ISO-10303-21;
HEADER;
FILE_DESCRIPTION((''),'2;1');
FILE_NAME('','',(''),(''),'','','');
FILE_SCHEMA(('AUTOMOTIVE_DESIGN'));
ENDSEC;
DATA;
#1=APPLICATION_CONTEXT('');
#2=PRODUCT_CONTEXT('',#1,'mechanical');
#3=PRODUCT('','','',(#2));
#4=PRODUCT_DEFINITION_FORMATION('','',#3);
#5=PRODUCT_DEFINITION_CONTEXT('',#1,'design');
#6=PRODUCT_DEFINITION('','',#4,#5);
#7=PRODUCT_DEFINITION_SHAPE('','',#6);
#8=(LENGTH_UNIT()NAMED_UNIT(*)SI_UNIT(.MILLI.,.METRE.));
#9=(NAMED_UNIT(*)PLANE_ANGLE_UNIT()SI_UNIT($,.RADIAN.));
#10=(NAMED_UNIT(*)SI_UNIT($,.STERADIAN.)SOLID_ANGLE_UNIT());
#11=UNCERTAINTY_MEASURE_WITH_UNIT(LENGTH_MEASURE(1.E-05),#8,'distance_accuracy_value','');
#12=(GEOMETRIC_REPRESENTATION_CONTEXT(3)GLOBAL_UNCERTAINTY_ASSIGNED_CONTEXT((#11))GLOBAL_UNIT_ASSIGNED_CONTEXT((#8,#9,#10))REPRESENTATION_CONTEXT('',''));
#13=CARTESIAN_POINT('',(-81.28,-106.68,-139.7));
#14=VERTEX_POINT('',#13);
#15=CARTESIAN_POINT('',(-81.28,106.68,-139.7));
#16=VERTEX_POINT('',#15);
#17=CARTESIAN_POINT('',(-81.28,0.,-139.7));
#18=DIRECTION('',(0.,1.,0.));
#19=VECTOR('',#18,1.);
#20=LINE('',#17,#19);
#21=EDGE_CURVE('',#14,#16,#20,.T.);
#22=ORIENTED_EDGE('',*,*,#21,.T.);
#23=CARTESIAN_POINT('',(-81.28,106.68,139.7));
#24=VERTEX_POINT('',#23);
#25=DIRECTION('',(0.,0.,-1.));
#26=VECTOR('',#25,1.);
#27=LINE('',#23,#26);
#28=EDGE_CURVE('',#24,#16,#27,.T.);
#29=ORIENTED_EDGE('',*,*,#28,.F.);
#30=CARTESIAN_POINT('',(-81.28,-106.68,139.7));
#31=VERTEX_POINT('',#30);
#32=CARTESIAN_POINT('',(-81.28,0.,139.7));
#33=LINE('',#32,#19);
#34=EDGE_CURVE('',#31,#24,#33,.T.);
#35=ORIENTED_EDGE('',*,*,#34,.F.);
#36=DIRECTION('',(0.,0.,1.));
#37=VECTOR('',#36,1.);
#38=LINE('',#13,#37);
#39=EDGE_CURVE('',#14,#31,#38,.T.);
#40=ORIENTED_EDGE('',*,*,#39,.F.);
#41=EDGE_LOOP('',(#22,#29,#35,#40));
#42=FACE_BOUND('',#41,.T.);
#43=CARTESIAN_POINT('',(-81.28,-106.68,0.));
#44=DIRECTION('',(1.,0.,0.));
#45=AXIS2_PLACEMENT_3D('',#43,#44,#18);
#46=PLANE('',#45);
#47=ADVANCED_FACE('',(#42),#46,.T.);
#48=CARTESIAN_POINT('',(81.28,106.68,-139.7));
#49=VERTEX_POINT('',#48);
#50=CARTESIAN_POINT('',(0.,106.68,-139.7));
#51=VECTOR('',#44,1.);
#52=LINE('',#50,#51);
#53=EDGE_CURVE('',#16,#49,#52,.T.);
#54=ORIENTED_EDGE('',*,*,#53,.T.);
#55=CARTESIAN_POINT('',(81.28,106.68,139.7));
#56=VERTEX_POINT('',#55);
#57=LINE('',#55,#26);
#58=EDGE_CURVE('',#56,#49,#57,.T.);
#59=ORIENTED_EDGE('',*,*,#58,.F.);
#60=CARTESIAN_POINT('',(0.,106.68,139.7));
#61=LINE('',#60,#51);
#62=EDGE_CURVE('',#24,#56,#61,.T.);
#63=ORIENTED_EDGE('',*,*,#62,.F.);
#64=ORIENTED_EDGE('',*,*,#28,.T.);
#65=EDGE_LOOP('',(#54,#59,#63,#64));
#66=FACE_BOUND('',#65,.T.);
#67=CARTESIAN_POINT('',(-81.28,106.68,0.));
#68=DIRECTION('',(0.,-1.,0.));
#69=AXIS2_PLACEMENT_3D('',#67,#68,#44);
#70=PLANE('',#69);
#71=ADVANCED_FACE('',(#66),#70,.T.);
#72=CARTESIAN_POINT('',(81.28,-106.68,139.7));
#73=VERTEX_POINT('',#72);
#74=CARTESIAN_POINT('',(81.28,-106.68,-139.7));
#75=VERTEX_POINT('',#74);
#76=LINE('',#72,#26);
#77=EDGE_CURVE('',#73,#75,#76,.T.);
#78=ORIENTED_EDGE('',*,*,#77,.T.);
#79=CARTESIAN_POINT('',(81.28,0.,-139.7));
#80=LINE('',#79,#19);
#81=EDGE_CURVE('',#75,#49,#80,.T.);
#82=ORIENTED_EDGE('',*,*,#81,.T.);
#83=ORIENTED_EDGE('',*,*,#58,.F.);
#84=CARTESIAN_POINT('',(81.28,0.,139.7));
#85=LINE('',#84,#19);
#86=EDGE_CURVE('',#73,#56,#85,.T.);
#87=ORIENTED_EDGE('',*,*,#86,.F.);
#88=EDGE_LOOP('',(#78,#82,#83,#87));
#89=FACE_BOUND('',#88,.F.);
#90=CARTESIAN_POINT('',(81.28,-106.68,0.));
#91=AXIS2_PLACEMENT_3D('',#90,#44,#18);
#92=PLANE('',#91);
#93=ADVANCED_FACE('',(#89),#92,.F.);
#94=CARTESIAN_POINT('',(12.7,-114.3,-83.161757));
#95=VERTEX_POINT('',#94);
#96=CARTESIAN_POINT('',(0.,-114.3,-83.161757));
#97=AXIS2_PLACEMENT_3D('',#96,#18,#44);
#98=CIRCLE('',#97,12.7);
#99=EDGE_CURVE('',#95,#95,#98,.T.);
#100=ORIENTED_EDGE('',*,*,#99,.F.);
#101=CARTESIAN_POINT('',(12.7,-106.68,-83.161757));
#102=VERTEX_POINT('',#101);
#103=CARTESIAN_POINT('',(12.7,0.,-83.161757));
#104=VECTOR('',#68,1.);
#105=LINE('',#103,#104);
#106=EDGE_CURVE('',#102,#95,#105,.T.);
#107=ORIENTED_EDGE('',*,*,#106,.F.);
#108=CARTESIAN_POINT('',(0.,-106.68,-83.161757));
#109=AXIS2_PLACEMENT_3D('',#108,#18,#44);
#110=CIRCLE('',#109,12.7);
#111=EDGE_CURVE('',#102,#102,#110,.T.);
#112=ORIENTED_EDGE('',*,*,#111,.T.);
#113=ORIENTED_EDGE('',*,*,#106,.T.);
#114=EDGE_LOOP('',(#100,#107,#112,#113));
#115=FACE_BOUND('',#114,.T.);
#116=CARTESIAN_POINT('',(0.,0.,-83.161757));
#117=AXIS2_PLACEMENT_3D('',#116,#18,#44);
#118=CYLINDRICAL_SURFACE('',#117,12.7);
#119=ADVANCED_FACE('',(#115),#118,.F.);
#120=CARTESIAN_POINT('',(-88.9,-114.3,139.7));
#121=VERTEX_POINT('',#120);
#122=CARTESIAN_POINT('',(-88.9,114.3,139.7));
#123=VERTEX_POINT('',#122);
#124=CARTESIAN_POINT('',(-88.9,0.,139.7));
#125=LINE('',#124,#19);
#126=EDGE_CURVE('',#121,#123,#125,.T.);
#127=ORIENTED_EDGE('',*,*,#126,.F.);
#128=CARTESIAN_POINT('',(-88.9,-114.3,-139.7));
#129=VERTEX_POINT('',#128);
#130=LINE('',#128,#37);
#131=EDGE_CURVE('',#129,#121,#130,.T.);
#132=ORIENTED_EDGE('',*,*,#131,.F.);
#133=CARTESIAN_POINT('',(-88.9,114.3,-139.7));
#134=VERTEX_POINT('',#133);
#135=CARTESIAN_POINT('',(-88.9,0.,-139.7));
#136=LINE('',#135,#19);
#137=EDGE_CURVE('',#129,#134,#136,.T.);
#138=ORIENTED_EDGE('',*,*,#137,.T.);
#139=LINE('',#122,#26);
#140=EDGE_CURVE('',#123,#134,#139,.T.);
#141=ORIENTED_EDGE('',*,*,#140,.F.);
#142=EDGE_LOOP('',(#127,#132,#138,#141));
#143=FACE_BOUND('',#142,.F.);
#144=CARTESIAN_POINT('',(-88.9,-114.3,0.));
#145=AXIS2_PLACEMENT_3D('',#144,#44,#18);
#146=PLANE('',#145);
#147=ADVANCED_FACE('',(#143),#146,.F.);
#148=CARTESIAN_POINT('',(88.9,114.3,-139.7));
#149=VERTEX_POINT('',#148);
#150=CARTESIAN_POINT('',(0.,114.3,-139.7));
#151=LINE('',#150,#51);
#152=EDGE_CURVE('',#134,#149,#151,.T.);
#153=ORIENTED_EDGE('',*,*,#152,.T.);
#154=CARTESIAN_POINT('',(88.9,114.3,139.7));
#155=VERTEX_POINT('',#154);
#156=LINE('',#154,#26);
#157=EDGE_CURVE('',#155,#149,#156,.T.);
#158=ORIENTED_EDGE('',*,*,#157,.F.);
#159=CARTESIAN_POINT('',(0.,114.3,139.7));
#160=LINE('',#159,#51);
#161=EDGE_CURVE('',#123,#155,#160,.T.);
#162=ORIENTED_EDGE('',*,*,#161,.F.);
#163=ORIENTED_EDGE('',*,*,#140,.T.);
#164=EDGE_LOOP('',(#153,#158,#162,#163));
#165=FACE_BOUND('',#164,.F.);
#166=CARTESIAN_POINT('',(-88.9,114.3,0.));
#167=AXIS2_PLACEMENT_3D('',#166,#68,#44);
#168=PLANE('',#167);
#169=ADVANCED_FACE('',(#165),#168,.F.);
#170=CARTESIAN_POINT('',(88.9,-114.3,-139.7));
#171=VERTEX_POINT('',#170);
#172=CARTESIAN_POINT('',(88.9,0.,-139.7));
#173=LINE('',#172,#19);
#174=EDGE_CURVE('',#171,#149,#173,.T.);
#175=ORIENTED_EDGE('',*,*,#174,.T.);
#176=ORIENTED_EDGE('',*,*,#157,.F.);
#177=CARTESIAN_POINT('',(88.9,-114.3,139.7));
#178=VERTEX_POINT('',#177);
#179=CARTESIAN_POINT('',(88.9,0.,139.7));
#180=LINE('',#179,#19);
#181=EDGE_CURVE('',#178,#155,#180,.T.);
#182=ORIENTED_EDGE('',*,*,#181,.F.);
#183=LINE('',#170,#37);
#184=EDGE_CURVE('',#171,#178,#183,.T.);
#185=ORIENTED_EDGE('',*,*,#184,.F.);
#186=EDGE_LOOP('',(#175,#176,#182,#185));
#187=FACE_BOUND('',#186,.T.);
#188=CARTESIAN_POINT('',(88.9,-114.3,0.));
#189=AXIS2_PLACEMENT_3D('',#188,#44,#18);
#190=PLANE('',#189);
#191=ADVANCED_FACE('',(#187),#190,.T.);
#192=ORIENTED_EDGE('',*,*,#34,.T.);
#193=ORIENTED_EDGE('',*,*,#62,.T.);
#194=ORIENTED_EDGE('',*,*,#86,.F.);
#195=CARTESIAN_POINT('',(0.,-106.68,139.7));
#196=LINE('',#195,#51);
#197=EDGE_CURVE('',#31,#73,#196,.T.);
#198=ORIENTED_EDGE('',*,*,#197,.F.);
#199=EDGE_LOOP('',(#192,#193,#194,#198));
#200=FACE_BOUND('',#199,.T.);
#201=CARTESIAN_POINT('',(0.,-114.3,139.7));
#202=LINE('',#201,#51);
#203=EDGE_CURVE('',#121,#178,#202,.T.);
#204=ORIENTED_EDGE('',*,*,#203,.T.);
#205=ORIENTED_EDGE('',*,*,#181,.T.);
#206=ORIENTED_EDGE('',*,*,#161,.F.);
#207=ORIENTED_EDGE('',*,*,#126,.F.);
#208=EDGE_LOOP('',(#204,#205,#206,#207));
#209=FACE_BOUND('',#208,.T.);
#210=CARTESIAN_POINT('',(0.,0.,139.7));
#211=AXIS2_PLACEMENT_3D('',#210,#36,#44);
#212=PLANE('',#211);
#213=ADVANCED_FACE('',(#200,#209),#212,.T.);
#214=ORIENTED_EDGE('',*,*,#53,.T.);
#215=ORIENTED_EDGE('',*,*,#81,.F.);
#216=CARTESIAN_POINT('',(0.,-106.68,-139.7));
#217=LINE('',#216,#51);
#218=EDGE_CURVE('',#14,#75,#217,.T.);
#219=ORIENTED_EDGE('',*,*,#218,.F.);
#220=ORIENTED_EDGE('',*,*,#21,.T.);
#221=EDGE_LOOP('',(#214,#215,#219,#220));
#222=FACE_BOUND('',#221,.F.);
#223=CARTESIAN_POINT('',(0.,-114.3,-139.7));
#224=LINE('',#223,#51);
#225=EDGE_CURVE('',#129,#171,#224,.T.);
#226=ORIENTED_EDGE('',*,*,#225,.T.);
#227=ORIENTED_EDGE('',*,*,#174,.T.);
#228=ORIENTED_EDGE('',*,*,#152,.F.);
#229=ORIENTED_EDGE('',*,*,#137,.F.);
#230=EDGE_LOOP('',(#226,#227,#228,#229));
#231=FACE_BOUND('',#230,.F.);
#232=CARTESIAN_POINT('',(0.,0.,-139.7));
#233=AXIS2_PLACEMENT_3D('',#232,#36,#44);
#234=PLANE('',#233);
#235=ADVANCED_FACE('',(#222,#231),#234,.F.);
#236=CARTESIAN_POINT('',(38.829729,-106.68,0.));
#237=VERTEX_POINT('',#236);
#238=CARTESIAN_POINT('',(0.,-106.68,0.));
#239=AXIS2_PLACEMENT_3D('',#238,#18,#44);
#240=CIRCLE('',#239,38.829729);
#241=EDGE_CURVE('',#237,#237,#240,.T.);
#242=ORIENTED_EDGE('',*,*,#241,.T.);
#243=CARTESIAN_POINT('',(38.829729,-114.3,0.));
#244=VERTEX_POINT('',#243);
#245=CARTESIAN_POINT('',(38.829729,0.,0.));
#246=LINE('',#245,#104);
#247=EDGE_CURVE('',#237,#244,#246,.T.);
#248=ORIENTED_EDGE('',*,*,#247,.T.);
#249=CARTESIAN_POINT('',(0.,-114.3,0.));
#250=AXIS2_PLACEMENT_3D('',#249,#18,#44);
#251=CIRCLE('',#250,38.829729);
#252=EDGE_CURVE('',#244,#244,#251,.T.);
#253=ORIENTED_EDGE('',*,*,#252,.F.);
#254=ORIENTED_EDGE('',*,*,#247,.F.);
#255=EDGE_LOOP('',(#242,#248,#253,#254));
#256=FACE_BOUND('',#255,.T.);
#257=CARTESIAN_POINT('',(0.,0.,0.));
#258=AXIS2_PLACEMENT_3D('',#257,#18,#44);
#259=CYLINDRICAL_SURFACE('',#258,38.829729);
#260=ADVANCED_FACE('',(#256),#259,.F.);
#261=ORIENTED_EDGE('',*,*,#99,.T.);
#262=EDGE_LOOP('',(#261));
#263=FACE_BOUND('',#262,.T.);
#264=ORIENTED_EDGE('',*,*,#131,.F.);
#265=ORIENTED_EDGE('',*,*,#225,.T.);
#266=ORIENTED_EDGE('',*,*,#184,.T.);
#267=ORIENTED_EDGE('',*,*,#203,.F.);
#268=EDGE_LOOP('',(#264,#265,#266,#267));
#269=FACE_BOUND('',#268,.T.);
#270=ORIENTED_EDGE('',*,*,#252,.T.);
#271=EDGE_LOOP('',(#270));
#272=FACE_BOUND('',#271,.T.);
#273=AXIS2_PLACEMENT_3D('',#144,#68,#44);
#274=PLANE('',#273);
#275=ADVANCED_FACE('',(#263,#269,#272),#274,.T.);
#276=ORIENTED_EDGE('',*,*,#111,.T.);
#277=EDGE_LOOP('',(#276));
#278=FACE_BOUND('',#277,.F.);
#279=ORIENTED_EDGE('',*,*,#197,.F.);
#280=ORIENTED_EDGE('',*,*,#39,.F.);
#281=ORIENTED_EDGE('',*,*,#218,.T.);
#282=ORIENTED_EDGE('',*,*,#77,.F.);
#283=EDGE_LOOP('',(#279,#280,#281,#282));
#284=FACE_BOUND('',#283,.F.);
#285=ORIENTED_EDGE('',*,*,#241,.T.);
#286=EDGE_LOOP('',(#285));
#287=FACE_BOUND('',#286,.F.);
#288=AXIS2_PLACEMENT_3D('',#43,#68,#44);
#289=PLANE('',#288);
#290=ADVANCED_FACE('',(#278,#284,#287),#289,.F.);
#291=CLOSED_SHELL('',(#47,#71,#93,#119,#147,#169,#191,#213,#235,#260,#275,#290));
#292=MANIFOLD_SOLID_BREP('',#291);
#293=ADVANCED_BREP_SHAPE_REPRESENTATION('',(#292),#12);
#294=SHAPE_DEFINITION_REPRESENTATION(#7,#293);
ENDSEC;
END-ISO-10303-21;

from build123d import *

# Parameters (mm, degrees)
F0_W     = 177.8
F0_H     = 228.6
F0_W_2   = 162.56
F0_H_2   = 213.36
F1_DEPTH = 139.7
F2_R     = 12.7
F2_R_2   = 38.829729
F3_DEPTH = 254


with BuildPart() as f1:
    # F0 (on Top) → F1 (new body, symmetric)
    with BuildSketch(Plane.XY):
        Rectangle(F0_W, F0_H)
        Rectangle(F0_W_2, F0_H_2, mode=Mode.SUBTRACT)
    extrude(amount=F1_DEPTH, both=True)

    # F2 (on Front) → F3 (cut)
    with BuildSketch(Plane.XZ):
        with Locations((0, -83.161757)):
            Circle(F2_R)
        Circle(F2_R_2)
    extrude(amount=F3_DEPTH, mode=Mode.SUBTRACT)


solid = f1.part
